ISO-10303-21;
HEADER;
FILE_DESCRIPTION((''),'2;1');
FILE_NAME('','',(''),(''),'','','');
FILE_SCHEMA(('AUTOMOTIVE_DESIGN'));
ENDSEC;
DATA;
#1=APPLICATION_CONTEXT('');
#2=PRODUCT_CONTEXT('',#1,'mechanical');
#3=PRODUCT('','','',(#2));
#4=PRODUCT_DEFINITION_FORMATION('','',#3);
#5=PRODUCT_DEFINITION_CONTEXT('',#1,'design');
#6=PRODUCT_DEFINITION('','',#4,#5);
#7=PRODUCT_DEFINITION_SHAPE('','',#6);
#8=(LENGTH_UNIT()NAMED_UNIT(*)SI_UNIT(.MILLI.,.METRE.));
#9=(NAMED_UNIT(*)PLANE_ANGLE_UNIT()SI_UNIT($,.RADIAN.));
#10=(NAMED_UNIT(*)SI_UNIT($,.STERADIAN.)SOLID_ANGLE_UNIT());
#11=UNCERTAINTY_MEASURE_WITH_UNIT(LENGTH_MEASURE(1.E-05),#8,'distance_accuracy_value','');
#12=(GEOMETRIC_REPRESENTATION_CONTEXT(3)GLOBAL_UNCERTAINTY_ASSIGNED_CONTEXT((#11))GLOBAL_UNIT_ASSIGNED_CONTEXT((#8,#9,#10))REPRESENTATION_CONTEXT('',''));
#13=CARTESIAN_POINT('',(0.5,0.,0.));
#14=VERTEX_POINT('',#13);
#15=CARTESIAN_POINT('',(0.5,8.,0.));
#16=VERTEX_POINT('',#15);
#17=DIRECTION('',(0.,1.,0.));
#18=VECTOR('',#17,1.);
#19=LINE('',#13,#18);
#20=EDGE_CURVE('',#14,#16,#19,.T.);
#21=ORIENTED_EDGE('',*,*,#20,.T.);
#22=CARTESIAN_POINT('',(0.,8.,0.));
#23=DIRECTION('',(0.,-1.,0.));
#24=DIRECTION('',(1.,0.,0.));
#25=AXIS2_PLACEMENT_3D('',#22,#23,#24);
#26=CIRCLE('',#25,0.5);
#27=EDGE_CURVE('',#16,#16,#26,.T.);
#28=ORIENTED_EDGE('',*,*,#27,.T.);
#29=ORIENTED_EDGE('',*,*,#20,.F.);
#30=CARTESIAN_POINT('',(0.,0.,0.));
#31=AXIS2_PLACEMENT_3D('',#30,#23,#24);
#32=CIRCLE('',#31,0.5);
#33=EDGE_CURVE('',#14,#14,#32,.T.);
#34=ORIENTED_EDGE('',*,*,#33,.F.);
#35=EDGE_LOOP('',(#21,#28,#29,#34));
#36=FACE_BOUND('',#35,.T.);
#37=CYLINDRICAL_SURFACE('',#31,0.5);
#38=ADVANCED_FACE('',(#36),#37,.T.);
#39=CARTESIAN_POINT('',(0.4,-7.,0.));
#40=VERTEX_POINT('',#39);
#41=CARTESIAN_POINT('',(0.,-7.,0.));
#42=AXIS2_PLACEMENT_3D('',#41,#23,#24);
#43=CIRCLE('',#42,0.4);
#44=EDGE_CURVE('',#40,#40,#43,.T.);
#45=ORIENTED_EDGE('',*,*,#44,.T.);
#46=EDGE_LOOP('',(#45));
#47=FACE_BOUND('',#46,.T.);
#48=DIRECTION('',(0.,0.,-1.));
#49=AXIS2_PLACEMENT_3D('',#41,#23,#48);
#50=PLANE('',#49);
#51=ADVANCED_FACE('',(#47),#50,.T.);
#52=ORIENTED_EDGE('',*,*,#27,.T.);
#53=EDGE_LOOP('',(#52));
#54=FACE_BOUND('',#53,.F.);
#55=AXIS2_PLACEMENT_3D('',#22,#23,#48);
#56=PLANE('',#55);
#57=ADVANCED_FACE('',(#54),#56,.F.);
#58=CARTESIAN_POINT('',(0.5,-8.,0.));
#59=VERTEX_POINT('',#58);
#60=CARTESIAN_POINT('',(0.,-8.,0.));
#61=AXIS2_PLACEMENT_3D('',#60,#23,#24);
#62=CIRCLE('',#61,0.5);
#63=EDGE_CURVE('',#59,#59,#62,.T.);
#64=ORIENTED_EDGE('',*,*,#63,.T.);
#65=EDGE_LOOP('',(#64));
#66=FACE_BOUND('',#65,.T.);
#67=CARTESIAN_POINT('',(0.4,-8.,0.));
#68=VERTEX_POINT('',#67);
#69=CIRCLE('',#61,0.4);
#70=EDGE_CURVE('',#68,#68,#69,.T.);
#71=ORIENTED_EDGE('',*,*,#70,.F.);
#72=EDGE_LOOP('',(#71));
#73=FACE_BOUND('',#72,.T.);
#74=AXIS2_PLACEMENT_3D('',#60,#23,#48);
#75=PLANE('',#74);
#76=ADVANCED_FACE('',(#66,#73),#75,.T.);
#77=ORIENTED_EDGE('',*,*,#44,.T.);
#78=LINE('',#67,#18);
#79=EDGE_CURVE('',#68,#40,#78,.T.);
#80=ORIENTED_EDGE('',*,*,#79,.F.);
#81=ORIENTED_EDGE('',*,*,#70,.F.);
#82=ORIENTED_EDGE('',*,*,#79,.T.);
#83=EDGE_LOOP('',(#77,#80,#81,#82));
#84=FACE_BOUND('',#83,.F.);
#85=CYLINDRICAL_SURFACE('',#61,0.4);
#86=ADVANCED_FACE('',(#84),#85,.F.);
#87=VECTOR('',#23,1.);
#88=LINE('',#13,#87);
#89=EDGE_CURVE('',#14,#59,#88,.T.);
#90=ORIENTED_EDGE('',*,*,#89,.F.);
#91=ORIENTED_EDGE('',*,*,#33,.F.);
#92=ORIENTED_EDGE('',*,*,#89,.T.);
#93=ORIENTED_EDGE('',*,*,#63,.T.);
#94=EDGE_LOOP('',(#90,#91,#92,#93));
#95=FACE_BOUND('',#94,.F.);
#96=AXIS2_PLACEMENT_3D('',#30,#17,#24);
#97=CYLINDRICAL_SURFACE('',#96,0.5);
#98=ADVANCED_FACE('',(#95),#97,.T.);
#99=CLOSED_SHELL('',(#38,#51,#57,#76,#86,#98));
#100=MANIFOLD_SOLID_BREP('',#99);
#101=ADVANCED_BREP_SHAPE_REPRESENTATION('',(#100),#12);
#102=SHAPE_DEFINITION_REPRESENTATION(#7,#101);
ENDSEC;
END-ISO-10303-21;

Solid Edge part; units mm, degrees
sketch "Sketch1" plane through (0, 0, 0) normal (0, -1, 0) x (1, 0, 0)
  circle A0 centre (0, 0) radius 0.5
extrude "Protrusion1" add sketch "Sketch1" along normal mid plane 16
sketch "Sketch2" plane through (0, -8, 0) normal (0, -1, 0) x (1, 0, 0)
  circle A0 centre (0, 0) radius 0.4
extrude "ExtrudedCutout_1" cut sketch "Sketch2" against normal blind 1
properties material "Stainless Steel, 420"
